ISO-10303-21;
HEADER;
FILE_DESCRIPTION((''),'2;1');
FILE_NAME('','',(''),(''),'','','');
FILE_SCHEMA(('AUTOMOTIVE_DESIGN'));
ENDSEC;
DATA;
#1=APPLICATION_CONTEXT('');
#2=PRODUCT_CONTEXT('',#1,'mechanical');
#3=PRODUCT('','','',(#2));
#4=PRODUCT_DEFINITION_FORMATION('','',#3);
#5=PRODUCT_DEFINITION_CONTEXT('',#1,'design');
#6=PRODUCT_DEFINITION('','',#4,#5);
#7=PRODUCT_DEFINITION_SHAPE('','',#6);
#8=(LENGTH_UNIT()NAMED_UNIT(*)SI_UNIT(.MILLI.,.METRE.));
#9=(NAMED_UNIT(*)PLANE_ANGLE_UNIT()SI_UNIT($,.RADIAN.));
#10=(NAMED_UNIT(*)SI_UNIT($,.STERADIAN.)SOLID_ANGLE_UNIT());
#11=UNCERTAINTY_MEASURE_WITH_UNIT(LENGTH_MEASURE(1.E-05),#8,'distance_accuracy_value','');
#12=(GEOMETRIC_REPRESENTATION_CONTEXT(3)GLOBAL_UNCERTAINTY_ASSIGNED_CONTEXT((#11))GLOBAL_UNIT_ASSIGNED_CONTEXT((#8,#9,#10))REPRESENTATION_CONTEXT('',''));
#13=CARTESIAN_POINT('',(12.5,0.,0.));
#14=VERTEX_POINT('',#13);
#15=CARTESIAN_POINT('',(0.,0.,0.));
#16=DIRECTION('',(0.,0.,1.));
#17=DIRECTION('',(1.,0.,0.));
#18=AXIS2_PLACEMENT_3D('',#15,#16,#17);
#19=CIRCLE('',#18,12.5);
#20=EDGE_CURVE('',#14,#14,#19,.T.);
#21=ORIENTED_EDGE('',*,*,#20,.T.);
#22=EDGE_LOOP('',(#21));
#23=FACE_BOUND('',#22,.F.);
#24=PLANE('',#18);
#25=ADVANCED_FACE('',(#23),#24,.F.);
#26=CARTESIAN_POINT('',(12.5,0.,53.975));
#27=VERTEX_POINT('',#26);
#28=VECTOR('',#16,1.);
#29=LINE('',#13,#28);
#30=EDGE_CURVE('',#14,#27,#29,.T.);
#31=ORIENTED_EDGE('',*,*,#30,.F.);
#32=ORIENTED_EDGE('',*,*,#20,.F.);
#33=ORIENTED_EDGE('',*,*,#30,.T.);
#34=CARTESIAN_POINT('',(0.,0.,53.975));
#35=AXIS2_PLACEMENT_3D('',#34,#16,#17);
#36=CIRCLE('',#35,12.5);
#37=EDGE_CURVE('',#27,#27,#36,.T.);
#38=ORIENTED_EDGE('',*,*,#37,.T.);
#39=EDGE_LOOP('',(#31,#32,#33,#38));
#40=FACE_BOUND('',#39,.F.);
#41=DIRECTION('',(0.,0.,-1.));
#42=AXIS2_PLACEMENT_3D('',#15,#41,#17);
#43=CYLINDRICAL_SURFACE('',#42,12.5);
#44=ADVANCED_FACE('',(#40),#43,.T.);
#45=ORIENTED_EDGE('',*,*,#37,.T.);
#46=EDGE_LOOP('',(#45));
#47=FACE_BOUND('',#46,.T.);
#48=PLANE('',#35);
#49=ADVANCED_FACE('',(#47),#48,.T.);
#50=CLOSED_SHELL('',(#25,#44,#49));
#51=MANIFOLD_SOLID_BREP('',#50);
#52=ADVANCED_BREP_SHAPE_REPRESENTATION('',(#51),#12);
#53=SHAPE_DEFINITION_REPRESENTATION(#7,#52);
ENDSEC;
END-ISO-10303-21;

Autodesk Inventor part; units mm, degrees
ref_plane "YZ Plane" through (0, 0, 0) normal (1, 0, 0) x (0, 1, 0)
ref_plane "XZ Plane" through (0, 0, 0) normal (0, 1, 0) x (-1, 0, 0)
ref_plane "XY Plane" through (0, 0, 0) normal (0, 0, 1) x (1, 0, 0)
sketch "Sketch1" plane through (0, 0, 0) normal (0, 0, 1) x (1, 0, 0)
  circle A0 centre (0, 0) radius 12.5
  dimension "d0" = 25
extrude "Extrusion1" add sketch "Sketch1" along normal blind 53.975
properties part number "Motor"
